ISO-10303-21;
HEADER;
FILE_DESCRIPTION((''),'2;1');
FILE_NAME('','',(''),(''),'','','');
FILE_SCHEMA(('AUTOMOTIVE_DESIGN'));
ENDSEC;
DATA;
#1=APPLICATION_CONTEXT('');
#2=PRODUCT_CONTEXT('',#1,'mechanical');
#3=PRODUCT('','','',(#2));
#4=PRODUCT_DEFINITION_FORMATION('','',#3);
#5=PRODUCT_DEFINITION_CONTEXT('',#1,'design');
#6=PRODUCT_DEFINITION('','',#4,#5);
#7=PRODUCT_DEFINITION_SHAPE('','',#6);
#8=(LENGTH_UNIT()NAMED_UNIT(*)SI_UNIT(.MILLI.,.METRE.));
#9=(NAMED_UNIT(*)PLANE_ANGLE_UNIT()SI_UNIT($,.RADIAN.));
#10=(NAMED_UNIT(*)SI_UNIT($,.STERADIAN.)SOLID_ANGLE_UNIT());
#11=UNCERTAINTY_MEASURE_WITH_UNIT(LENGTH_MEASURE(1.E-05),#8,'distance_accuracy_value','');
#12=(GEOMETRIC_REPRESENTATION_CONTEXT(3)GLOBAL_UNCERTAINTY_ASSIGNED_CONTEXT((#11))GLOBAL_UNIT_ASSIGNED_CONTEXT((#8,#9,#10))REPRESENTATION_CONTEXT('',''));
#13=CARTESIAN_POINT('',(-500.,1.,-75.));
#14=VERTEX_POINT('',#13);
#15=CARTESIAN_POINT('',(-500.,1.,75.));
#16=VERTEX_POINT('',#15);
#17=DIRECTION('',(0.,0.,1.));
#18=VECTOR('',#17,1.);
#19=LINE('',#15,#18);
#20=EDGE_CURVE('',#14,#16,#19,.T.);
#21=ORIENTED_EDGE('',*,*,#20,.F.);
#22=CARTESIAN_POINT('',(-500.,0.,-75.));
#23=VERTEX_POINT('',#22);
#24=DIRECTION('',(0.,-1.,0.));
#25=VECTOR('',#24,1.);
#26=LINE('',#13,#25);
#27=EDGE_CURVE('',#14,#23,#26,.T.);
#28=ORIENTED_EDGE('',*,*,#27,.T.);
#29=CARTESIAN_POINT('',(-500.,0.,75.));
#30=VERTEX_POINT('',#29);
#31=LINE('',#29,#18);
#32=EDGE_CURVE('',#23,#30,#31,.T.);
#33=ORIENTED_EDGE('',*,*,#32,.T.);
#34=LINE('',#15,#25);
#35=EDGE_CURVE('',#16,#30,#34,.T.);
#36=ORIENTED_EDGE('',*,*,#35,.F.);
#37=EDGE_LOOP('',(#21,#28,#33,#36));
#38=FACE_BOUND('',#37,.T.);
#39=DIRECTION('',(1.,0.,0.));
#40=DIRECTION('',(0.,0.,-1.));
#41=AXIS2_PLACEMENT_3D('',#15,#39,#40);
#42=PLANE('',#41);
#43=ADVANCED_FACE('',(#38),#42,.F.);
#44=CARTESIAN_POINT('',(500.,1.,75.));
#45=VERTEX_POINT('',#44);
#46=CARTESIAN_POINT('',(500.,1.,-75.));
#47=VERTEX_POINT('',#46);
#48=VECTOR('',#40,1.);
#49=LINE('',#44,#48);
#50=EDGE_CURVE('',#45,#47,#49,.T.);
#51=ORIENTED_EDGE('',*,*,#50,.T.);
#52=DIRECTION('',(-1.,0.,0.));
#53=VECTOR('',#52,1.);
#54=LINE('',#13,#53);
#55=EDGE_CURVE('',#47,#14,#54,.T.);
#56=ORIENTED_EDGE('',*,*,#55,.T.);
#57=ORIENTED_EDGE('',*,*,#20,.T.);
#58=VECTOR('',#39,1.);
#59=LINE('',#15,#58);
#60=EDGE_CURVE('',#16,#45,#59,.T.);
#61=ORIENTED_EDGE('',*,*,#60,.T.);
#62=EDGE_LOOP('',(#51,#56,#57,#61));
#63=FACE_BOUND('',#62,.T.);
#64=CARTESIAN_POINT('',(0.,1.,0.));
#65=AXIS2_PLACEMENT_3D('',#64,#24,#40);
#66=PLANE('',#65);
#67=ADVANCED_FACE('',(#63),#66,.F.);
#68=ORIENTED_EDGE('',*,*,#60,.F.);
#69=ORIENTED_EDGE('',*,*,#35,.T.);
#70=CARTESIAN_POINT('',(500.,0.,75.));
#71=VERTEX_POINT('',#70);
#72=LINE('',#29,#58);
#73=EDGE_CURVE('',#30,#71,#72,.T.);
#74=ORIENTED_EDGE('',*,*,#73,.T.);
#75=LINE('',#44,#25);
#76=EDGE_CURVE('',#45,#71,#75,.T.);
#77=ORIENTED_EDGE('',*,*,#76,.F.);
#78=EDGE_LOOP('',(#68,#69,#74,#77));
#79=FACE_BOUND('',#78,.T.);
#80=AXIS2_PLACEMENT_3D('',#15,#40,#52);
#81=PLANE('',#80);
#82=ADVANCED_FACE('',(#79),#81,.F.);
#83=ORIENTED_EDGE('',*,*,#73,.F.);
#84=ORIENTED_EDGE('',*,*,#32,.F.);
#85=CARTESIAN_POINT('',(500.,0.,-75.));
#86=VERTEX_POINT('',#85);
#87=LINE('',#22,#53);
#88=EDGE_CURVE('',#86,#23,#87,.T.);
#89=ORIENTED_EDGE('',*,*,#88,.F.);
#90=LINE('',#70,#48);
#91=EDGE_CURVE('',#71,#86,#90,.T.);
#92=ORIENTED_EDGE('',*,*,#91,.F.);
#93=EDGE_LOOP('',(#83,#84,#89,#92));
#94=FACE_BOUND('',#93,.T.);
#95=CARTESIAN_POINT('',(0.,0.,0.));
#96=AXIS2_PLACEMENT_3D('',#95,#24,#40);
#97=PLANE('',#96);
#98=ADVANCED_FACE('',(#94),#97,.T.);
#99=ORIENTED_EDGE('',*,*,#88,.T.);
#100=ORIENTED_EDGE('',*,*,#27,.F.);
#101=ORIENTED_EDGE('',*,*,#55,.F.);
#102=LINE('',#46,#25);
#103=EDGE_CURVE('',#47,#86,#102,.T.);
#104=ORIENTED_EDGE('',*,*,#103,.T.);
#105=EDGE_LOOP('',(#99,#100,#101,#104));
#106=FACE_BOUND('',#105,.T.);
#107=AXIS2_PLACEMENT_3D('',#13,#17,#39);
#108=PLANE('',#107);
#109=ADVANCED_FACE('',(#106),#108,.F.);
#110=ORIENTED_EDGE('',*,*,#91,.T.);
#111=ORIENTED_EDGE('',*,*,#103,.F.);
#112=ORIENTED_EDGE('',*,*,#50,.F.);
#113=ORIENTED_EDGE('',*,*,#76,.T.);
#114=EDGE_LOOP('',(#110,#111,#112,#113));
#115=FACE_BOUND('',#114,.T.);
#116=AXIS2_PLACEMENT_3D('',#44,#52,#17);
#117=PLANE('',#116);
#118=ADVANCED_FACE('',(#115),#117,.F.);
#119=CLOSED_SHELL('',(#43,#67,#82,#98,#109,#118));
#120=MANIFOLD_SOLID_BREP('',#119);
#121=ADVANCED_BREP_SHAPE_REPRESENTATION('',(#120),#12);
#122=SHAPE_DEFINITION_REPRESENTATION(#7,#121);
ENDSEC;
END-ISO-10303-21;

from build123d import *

# Parameters (mm, degrees)
SKETCH_1_W      = 1000
SKETCH_1_H      = 150
EXTRUDE_1_DEPTH = 1


with BuildPart() as part:
    # 草图1 → 凸台-拉伸1 (new body)
    with BuildSketch(Plane(origin=(0, 0, 0), x_dir=(1, 0, 0), z_dir=(0, 1, 0))):
        Rectangle(SKETCH_1_W, SKETCH_1_H)
    extrude(amount=EXTRUDE_1_DEPTH)


solid = part.part
